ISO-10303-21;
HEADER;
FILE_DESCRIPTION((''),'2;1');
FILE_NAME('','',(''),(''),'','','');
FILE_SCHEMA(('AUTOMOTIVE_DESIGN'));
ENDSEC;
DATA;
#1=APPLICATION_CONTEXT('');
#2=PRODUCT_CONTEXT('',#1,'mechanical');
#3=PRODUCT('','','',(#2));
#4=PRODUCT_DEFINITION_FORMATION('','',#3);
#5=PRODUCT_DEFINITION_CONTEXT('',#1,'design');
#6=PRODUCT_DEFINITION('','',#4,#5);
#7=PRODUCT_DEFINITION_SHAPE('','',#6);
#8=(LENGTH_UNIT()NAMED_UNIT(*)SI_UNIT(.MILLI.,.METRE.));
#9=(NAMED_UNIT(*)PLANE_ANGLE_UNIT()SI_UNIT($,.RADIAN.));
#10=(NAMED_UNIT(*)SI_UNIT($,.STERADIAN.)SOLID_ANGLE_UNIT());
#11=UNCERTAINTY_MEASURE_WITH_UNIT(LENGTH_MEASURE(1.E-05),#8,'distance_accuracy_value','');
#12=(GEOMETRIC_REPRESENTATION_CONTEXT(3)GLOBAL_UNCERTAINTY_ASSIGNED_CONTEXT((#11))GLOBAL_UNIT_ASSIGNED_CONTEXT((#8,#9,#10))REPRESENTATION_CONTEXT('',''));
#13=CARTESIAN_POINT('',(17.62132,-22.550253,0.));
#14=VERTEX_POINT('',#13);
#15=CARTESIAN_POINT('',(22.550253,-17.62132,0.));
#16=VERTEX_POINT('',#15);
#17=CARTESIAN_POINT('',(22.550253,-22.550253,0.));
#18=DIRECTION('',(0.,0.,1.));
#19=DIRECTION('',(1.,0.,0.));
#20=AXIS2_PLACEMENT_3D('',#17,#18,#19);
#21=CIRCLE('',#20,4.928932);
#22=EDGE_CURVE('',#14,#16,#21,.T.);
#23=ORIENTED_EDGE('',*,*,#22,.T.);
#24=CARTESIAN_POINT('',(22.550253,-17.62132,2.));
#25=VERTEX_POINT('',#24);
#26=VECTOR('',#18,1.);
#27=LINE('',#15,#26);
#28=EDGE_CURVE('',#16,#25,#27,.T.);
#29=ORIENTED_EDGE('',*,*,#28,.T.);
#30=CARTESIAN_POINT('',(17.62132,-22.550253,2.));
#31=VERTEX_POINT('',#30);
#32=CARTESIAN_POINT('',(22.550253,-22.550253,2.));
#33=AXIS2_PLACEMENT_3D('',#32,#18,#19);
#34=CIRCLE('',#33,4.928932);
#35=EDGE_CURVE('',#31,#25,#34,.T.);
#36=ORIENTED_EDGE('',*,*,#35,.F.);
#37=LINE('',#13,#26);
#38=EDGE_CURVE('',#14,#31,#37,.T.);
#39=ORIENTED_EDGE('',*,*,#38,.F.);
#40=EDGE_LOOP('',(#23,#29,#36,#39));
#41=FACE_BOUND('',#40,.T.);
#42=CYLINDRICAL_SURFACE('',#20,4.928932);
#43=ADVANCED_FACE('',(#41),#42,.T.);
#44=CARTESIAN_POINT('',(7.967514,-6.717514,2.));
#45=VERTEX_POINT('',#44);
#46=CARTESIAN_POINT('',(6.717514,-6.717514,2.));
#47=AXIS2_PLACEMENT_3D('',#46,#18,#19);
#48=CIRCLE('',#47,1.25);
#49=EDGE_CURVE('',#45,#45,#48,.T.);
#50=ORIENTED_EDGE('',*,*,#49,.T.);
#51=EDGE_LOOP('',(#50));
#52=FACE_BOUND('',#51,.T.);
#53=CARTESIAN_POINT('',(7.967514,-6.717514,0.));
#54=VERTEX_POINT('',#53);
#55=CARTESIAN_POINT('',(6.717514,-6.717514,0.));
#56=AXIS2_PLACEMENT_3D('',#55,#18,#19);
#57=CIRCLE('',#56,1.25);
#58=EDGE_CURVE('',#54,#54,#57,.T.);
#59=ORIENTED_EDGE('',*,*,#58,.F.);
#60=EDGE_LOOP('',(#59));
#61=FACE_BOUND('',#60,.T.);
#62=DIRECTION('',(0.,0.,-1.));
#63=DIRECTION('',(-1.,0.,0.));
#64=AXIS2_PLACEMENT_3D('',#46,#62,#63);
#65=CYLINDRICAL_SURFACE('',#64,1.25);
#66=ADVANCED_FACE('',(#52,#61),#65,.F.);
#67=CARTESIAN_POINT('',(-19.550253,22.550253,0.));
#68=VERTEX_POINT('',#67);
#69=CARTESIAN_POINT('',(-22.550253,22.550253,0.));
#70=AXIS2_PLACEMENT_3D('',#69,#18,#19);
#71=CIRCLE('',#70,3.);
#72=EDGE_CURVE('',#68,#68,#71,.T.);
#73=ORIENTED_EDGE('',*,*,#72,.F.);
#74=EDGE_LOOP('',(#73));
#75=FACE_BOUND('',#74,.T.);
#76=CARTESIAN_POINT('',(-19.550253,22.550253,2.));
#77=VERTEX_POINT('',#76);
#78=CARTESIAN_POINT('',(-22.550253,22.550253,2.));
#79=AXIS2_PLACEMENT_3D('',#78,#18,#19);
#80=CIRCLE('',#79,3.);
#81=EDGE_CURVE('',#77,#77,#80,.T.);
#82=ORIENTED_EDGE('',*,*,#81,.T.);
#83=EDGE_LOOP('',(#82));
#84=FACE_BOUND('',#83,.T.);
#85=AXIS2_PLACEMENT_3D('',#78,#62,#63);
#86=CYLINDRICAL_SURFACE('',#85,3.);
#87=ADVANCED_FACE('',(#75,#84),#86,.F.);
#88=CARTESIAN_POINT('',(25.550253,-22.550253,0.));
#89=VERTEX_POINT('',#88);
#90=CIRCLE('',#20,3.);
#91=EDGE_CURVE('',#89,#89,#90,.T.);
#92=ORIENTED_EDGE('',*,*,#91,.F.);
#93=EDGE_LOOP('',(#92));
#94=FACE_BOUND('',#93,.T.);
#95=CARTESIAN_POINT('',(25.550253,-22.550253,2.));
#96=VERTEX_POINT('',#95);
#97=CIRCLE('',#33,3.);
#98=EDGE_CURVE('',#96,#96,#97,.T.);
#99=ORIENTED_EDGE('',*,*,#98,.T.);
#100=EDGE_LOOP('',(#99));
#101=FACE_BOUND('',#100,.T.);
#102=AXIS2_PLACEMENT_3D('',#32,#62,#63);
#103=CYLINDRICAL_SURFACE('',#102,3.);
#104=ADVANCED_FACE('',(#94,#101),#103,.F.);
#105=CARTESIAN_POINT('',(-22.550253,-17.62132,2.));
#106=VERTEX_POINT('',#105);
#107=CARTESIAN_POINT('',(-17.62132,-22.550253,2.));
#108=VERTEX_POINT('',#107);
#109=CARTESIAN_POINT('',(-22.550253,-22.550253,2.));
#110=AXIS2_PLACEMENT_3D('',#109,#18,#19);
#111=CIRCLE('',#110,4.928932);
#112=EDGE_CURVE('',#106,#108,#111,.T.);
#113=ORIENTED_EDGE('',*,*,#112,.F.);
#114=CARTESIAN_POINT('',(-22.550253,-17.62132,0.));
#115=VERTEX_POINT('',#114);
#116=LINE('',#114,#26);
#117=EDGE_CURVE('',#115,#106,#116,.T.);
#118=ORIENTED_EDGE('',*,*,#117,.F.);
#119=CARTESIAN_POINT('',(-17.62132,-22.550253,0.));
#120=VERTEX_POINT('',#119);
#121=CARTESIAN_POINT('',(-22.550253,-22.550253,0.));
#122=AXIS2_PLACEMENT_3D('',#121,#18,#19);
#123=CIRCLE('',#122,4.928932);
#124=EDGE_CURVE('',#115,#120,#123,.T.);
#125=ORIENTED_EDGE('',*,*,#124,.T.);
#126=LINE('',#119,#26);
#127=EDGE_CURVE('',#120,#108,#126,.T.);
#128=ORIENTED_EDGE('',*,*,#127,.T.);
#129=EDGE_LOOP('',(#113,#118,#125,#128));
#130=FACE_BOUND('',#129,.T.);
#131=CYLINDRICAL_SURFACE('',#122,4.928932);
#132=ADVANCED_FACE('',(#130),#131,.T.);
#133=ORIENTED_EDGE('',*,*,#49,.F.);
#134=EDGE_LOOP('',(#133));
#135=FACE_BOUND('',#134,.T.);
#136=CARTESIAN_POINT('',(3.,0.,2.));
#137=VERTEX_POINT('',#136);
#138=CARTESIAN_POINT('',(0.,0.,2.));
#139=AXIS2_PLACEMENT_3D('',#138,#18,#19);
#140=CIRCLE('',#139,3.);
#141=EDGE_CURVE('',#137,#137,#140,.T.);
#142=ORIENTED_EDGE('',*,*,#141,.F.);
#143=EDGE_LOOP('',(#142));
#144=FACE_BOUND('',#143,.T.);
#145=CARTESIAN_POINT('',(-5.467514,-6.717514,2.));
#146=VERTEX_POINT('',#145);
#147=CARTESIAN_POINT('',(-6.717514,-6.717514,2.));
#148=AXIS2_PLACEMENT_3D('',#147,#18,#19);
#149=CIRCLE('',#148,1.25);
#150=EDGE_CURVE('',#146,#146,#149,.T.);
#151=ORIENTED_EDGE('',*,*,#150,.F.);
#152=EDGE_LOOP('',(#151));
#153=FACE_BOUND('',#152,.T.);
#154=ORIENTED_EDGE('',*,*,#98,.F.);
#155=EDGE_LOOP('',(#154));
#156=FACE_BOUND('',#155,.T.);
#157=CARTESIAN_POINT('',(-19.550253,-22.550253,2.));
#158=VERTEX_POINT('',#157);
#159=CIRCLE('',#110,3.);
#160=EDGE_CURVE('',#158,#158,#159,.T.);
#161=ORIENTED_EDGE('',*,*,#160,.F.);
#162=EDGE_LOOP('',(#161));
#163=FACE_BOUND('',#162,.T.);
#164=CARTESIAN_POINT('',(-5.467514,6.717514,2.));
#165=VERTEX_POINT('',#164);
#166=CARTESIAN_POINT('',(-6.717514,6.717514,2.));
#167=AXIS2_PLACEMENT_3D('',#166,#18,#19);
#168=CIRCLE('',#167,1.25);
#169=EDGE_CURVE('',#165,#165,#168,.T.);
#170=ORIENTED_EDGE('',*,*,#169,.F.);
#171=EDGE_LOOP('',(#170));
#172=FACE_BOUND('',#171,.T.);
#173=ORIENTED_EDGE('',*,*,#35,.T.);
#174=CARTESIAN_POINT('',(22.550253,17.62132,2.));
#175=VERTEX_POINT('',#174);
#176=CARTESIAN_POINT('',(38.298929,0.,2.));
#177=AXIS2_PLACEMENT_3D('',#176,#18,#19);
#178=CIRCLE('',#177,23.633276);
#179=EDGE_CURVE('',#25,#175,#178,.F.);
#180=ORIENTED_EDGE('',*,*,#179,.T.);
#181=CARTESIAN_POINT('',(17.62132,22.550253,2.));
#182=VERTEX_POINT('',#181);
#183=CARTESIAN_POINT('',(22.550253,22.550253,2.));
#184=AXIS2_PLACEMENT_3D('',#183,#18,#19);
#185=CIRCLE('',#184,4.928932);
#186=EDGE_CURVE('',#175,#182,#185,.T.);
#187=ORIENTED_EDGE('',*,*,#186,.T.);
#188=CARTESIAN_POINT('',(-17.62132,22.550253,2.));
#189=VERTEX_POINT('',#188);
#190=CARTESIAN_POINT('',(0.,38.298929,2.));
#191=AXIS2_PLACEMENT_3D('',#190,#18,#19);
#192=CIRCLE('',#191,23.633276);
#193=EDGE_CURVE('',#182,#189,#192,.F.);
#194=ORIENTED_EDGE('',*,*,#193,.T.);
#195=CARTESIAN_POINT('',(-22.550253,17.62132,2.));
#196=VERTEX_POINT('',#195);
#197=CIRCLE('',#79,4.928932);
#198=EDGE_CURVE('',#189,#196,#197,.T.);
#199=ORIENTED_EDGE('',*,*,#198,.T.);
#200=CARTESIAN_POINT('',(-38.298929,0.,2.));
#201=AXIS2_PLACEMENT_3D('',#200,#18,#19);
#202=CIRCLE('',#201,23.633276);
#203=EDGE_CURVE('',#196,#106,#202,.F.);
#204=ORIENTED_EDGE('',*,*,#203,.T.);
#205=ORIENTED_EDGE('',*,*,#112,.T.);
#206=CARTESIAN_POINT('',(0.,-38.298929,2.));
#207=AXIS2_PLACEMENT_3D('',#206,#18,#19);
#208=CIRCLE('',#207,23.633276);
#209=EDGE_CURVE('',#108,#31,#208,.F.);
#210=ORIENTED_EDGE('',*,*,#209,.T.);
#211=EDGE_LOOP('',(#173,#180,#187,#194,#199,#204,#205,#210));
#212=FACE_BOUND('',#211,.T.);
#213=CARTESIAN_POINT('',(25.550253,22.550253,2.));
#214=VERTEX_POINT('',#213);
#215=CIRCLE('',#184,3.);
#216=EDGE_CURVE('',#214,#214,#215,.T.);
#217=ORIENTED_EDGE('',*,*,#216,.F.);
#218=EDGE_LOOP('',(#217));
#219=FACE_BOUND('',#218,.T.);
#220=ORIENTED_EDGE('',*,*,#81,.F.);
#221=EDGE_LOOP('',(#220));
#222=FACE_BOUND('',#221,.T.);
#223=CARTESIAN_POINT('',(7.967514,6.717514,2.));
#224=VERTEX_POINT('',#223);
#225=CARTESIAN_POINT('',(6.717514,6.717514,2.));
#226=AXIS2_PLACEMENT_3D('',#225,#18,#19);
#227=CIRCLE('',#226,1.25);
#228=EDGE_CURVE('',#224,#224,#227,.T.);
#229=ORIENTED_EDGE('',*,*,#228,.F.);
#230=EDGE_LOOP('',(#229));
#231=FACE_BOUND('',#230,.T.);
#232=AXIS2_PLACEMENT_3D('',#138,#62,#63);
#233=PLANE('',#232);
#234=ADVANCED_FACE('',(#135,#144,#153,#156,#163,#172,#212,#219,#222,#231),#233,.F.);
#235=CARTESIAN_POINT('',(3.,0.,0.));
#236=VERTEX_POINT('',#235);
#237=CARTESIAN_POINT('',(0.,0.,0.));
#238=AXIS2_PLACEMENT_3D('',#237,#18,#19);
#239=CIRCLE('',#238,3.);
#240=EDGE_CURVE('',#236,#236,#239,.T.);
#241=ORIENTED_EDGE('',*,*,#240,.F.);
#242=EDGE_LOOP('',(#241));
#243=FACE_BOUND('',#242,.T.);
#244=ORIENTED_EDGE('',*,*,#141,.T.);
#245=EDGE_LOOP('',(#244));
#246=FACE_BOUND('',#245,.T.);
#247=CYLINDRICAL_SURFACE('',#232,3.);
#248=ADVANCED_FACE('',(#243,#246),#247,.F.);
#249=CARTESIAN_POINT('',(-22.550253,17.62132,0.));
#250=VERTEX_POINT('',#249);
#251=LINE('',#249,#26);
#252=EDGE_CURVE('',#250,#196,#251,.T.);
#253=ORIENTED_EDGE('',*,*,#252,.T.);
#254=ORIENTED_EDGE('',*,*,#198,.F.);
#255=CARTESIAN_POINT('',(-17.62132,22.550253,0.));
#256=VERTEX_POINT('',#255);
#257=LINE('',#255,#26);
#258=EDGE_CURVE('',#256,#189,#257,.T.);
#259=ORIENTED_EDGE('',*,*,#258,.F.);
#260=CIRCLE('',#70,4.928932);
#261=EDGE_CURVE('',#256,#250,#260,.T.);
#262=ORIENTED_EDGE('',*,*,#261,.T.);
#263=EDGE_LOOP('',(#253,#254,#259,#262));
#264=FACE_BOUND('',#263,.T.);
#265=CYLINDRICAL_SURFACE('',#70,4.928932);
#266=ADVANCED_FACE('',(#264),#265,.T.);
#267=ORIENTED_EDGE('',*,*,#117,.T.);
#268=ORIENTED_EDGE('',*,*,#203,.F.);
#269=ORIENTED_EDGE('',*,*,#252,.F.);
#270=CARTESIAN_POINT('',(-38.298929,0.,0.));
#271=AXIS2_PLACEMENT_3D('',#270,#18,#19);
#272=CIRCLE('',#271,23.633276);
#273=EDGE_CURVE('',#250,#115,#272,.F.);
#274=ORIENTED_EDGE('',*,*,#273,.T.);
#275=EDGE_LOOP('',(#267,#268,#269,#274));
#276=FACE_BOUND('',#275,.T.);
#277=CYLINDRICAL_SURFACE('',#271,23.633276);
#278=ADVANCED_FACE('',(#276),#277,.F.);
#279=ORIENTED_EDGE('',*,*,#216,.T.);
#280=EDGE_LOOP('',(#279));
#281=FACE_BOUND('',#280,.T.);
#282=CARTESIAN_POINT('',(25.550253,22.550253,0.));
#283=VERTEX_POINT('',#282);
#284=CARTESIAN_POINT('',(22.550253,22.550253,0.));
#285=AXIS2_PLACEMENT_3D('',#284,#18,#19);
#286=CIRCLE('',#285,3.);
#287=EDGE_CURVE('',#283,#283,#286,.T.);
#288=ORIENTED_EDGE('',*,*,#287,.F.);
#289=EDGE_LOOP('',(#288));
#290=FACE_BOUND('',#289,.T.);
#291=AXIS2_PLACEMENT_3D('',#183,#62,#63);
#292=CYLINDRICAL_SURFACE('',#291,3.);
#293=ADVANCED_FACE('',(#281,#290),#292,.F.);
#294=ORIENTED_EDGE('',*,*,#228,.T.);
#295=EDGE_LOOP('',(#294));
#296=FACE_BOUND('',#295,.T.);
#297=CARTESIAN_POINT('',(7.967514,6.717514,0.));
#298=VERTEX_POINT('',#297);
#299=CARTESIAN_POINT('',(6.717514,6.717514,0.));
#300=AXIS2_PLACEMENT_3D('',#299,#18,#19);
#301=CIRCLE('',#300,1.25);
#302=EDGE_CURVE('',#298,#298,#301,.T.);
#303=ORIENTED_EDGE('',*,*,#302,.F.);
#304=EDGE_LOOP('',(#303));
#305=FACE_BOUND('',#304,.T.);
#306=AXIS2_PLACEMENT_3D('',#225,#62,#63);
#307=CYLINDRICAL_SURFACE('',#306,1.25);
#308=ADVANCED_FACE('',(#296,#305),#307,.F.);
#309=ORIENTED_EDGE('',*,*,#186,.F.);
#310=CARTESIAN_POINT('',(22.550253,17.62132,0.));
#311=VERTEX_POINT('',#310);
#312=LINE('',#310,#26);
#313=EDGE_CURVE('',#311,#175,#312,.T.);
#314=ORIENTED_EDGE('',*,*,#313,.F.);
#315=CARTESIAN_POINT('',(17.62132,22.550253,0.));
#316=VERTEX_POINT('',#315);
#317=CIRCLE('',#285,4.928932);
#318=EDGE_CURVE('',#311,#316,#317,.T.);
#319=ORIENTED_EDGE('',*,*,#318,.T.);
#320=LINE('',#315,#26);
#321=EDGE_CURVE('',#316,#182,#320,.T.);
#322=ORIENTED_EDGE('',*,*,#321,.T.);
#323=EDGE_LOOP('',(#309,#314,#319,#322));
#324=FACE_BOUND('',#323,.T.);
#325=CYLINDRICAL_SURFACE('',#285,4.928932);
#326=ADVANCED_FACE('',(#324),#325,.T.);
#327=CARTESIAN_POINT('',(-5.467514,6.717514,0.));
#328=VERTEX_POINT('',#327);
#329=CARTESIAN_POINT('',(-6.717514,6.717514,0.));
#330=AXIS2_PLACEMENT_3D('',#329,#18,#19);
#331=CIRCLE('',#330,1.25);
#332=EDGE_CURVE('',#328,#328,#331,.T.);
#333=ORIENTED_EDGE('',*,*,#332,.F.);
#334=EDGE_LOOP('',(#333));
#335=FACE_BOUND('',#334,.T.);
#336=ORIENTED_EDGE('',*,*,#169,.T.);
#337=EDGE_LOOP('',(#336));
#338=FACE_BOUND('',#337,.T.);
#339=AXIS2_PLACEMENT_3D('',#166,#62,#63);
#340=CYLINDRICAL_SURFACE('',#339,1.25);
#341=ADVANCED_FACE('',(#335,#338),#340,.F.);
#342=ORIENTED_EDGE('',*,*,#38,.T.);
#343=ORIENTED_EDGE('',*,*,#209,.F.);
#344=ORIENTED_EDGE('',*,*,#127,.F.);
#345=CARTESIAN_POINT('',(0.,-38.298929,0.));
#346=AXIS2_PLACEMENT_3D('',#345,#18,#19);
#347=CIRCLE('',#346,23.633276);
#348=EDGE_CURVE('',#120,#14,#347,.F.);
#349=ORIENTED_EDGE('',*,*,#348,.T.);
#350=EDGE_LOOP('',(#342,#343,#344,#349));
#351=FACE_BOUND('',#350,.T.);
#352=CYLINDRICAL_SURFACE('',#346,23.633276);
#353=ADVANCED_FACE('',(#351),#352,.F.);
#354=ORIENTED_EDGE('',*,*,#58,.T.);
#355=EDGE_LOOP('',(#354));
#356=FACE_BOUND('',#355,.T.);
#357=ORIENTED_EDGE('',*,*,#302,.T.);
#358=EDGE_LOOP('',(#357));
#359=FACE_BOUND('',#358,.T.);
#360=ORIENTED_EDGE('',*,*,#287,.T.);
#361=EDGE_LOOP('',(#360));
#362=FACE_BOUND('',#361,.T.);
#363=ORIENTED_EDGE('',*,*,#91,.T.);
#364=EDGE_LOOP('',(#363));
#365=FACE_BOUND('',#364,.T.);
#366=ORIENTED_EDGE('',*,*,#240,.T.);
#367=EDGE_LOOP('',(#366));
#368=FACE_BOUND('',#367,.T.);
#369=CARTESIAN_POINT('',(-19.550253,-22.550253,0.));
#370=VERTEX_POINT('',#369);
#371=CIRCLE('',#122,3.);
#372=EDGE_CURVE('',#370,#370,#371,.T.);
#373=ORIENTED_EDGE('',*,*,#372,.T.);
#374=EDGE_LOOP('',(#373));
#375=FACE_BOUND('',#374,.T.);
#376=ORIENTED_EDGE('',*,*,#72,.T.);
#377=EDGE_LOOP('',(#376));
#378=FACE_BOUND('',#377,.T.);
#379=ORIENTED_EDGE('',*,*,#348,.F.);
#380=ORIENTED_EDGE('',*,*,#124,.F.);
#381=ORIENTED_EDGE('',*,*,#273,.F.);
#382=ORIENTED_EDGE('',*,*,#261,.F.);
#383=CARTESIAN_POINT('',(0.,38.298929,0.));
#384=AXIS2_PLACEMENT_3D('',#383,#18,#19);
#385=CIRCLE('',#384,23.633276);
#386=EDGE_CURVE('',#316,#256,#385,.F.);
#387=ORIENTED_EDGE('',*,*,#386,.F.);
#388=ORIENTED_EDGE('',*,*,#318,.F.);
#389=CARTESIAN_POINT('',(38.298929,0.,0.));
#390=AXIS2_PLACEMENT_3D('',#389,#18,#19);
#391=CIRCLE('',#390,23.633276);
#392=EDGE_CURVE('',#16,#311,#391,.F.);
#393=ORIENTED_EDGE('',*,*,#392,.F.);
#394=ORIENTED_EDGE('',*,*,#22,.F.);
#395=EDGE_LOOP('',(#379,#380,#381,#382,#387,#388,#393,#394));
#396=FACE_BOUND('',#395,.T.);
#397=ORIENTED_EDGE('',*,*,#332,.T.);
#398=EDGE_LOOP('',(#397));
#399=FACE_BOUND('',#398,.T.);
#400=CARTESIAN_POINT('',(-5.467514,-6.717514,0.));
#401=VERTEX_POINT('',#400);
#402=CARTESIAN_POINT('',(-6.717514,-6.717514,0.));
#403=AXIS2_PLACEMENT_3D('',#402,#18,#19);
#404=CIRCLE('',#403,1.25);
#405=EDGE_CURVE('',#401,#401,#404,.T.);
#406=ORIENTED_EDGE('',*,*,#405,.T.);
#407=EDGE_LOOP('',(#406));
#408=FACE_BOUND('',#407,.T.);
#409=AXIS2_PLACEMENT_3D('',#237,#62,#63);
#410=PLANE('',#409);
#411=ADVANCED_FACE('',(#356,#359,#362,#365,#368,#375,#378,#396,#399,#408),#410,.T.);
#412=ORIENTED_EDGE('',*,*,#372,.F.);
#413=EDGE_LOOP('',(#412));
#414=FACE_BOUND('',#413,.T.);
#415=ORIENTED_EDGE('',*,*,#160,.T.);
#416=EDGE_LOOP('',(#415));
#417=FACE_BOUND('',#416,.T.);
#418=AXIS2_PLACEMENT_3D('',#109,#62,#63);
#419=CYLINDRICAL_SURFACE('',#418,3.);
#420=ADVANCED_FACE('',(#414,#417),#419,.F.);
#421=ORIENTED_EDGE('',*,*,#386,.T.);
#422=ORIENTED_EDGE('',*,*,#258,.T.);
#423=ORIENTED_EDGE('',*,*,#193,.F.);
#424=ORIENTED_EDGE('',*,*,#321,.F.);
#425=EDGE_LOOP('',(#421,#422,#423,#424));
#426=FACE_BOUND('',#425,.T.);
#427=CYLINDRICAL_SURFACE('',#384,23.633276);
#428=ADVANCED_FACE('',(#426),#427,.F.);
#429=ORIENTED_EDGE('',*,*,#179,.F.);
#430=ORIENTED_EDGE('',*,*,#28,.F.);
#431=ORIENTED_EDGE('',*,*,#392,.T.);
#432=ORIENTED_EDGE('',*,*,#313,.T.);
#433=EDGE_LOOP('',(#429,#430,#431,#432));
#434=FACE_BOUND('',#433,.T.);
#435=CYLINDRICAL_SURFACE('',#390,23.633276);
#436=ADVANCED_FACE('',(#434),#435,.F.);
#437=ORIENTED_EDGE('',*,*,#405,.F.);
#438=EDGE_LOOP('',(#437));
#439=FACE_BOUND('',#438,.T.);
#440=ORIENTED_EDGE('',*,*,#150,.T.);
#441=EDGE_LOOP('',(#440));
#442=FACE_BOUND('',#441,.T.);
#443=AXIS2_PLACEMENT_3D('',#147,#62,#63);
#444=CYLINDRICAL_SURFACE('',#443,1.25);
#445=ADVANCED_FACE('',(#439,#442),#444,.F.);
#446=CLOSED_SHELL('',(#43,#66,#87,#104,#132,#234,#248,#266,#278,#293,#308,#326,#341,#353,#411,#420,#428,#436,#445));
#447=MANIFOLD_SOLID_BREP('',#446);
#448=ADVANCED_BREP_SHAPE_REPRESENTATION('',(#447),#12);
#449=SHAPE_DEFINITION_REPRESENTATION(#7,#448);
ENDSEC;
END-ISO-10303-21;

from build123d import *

# Parameters (mm, degrees)
CROQUIS1_W              = 55
CROQUIS1_H              = 55
CROQUIS1_R              = 3
CROQUIS1_R_2            = 1.25
SALIENTE_EXTRUIR1_DEPTH = 2
REDONDEO1_R             = 5
CORTAR_EXTRUIR1_DEPTH   = 2


with BuildPart() as part:
    # Croquis1 → Saliente-Extruir1 (new body)
    with BuildSketch(Plane.XY):
        Rectangle(CROQUIS1_W, CROQUIS1_H)
        with Locations((-22.550252532, 22.550252532)):
            Circle(CROQUIS1_R, mode=Mode.SUBTRACT)
        with Locations((22.550252532, 22.550252532)):
            Circle(CROQUIS1_R, mode=Mode.SUBTRACT)
        with Locations((22.550252532, -22.550252532)):
            Circle(CROQUIS1_R, mode=Mode.SUBTRACT)
        with Locations((-22.550252532, -22.550252532)):
            Circle(CROQUIS1_R, mode=Mode.SUBTRACT)
        Circle(CROQUIS1_R, mode=Mode.SUBTRACT)
        with Locations((-6.717514421, 6.717514421)):
            Circle(CROQUIS1_R_2, mode=Mode.SUBTRACT)
        with Locations((6.717514421, 6.717514421)):
            Circle(CROQUIS1_R_2, mode=Mode.SUBTRACT)
        with Locations((6.717514421, -6.717514421)):
            Circle(CROQUIS1_R_2, mode=Mode.SUBTRACT)
        with Locations((-6.717514421, -6.717514421)):
            Circle(CROQUIS1_R_2, mode=Mode.SUBTRACT)
    extrude(amount=SALIENTE_EXTRUIR1_DEPTH)

    # Redondeo1
    redondeo1_edges = [part.edges().sort_by_distance(p)[0] for p in [
        (27.5, -27.5, 1),
        (-27.5, -27.5, 1),
        (-27.5, 27.5, 1),
        (27.5, 27.5, 1),
    ]]
    fillet(redondeo1_edges, radius=REDONDEO1_R)

    # Croquis2 → Cortar-Extruir1 (cut)
    with BuildSketch(Plane.XY.offset(2)):
        with BuildLine():
            ThreePointArc((-26.035533906, -26.035533906), (-27.103992097, -20.664031844), (-22.550252532, -17.621320344))
            ThreePointArc((-22.550252532, -17.621320344), (-14.66565297, 0), (-22.550252532, 17.621320344))
            ThreePointArc((-22.550252532, 17.621320344), (-27.103991999, 20.664031606), (-26.03553427, 26.035533542))
            ThreePointArc((-26.03553427, 26.035533542), (-27.119397761, 24.413416924), (-27.5, 22.5))
            Line((-27.5, 22.5), (-27.5, -22.5))
            ThreePointArc((-27.5, -22.5), (-27.119397663, -24.413417162), (-26.035533906, -26.035533906))
        make_face()
        with BuildLine():
            ThreePointArc((-22.5, 27.5), (-24.4134174, 27.119397564), (-26.03553427, 26.035533542))
            ThreePointArc((-26.03553427, 26.035533542), (-20.664032082, 27.103992196), (-17.621320344, 22.550252532))
            ThreePointArc((-17.621320344, 22.550252532), (0, 14.66565297), (17.621320344, 22.550252532))
            ThreePointArc((17.621320344, 22.550252532), (20.664031651, 27.103992018), (26.035533611, 26.035534201))
            ThreePointArc((26.035533611, 26.035534201), (24.413416969, 27.119397742), (22.5, 27.5))
            Line((22.5, 27.5), (-22.5, 27.5))
        make_face()
        with BuildLine():
            ThreePointArc((22.550252532, -17.621320344), (27.10399228, -20.664032285), (26.03553323, -26.035534581))
            ThreePointArc((26.03553323, -26.035534581), (27.11939748, -24.413417603), (27.5, -22.5))
            Line((27.5, -22.5), (27.5, 22.5))
            ThreePointArc((27.5, 22.5), (27.119397583, 24.413417354), (26.035533611, 26.035534201))
            ThreePointArc((26.035533611, 26.035534201), (27.103992177, 20.664032037), (22.550252532, 17.621320344))
            ThreePointArc((22.550252532, 17.621320344), (14.66565297, 0), (22.550252532, -17.621320344))
        make_face()
        with BuildLine():
            ThreePointArc((-17.621320344, -22.550252532), (-20.664031844, -27.103992097), (-26.035533906, -26.035533906))
            ThreePointArc((-26.035533906, -26.035533906), (-24.413417162, -27.119397663), (-22.5, -27.5))
            Line((-22.5, -27.5), (22.5, -27.5))
            ThreePointArc((22.5, -27.5), (24.413416721, -27.119397845), (26.03553323, -26.035534581))
            ThreePointArc((26.03553323, -26.035534581), (20.664031403, -27.103991915), (17.621320344, -22.550252532))
            ThreePointArc((17.621320344, -22.550252532), (0, -14.66565297), (-17.621320344, -22.550252532))
        make_face()
    extrude(amount=-CORTAR_EXTRUIR1_DEPTH, mode=Mode.SUBTRACT)


solid = part.part
